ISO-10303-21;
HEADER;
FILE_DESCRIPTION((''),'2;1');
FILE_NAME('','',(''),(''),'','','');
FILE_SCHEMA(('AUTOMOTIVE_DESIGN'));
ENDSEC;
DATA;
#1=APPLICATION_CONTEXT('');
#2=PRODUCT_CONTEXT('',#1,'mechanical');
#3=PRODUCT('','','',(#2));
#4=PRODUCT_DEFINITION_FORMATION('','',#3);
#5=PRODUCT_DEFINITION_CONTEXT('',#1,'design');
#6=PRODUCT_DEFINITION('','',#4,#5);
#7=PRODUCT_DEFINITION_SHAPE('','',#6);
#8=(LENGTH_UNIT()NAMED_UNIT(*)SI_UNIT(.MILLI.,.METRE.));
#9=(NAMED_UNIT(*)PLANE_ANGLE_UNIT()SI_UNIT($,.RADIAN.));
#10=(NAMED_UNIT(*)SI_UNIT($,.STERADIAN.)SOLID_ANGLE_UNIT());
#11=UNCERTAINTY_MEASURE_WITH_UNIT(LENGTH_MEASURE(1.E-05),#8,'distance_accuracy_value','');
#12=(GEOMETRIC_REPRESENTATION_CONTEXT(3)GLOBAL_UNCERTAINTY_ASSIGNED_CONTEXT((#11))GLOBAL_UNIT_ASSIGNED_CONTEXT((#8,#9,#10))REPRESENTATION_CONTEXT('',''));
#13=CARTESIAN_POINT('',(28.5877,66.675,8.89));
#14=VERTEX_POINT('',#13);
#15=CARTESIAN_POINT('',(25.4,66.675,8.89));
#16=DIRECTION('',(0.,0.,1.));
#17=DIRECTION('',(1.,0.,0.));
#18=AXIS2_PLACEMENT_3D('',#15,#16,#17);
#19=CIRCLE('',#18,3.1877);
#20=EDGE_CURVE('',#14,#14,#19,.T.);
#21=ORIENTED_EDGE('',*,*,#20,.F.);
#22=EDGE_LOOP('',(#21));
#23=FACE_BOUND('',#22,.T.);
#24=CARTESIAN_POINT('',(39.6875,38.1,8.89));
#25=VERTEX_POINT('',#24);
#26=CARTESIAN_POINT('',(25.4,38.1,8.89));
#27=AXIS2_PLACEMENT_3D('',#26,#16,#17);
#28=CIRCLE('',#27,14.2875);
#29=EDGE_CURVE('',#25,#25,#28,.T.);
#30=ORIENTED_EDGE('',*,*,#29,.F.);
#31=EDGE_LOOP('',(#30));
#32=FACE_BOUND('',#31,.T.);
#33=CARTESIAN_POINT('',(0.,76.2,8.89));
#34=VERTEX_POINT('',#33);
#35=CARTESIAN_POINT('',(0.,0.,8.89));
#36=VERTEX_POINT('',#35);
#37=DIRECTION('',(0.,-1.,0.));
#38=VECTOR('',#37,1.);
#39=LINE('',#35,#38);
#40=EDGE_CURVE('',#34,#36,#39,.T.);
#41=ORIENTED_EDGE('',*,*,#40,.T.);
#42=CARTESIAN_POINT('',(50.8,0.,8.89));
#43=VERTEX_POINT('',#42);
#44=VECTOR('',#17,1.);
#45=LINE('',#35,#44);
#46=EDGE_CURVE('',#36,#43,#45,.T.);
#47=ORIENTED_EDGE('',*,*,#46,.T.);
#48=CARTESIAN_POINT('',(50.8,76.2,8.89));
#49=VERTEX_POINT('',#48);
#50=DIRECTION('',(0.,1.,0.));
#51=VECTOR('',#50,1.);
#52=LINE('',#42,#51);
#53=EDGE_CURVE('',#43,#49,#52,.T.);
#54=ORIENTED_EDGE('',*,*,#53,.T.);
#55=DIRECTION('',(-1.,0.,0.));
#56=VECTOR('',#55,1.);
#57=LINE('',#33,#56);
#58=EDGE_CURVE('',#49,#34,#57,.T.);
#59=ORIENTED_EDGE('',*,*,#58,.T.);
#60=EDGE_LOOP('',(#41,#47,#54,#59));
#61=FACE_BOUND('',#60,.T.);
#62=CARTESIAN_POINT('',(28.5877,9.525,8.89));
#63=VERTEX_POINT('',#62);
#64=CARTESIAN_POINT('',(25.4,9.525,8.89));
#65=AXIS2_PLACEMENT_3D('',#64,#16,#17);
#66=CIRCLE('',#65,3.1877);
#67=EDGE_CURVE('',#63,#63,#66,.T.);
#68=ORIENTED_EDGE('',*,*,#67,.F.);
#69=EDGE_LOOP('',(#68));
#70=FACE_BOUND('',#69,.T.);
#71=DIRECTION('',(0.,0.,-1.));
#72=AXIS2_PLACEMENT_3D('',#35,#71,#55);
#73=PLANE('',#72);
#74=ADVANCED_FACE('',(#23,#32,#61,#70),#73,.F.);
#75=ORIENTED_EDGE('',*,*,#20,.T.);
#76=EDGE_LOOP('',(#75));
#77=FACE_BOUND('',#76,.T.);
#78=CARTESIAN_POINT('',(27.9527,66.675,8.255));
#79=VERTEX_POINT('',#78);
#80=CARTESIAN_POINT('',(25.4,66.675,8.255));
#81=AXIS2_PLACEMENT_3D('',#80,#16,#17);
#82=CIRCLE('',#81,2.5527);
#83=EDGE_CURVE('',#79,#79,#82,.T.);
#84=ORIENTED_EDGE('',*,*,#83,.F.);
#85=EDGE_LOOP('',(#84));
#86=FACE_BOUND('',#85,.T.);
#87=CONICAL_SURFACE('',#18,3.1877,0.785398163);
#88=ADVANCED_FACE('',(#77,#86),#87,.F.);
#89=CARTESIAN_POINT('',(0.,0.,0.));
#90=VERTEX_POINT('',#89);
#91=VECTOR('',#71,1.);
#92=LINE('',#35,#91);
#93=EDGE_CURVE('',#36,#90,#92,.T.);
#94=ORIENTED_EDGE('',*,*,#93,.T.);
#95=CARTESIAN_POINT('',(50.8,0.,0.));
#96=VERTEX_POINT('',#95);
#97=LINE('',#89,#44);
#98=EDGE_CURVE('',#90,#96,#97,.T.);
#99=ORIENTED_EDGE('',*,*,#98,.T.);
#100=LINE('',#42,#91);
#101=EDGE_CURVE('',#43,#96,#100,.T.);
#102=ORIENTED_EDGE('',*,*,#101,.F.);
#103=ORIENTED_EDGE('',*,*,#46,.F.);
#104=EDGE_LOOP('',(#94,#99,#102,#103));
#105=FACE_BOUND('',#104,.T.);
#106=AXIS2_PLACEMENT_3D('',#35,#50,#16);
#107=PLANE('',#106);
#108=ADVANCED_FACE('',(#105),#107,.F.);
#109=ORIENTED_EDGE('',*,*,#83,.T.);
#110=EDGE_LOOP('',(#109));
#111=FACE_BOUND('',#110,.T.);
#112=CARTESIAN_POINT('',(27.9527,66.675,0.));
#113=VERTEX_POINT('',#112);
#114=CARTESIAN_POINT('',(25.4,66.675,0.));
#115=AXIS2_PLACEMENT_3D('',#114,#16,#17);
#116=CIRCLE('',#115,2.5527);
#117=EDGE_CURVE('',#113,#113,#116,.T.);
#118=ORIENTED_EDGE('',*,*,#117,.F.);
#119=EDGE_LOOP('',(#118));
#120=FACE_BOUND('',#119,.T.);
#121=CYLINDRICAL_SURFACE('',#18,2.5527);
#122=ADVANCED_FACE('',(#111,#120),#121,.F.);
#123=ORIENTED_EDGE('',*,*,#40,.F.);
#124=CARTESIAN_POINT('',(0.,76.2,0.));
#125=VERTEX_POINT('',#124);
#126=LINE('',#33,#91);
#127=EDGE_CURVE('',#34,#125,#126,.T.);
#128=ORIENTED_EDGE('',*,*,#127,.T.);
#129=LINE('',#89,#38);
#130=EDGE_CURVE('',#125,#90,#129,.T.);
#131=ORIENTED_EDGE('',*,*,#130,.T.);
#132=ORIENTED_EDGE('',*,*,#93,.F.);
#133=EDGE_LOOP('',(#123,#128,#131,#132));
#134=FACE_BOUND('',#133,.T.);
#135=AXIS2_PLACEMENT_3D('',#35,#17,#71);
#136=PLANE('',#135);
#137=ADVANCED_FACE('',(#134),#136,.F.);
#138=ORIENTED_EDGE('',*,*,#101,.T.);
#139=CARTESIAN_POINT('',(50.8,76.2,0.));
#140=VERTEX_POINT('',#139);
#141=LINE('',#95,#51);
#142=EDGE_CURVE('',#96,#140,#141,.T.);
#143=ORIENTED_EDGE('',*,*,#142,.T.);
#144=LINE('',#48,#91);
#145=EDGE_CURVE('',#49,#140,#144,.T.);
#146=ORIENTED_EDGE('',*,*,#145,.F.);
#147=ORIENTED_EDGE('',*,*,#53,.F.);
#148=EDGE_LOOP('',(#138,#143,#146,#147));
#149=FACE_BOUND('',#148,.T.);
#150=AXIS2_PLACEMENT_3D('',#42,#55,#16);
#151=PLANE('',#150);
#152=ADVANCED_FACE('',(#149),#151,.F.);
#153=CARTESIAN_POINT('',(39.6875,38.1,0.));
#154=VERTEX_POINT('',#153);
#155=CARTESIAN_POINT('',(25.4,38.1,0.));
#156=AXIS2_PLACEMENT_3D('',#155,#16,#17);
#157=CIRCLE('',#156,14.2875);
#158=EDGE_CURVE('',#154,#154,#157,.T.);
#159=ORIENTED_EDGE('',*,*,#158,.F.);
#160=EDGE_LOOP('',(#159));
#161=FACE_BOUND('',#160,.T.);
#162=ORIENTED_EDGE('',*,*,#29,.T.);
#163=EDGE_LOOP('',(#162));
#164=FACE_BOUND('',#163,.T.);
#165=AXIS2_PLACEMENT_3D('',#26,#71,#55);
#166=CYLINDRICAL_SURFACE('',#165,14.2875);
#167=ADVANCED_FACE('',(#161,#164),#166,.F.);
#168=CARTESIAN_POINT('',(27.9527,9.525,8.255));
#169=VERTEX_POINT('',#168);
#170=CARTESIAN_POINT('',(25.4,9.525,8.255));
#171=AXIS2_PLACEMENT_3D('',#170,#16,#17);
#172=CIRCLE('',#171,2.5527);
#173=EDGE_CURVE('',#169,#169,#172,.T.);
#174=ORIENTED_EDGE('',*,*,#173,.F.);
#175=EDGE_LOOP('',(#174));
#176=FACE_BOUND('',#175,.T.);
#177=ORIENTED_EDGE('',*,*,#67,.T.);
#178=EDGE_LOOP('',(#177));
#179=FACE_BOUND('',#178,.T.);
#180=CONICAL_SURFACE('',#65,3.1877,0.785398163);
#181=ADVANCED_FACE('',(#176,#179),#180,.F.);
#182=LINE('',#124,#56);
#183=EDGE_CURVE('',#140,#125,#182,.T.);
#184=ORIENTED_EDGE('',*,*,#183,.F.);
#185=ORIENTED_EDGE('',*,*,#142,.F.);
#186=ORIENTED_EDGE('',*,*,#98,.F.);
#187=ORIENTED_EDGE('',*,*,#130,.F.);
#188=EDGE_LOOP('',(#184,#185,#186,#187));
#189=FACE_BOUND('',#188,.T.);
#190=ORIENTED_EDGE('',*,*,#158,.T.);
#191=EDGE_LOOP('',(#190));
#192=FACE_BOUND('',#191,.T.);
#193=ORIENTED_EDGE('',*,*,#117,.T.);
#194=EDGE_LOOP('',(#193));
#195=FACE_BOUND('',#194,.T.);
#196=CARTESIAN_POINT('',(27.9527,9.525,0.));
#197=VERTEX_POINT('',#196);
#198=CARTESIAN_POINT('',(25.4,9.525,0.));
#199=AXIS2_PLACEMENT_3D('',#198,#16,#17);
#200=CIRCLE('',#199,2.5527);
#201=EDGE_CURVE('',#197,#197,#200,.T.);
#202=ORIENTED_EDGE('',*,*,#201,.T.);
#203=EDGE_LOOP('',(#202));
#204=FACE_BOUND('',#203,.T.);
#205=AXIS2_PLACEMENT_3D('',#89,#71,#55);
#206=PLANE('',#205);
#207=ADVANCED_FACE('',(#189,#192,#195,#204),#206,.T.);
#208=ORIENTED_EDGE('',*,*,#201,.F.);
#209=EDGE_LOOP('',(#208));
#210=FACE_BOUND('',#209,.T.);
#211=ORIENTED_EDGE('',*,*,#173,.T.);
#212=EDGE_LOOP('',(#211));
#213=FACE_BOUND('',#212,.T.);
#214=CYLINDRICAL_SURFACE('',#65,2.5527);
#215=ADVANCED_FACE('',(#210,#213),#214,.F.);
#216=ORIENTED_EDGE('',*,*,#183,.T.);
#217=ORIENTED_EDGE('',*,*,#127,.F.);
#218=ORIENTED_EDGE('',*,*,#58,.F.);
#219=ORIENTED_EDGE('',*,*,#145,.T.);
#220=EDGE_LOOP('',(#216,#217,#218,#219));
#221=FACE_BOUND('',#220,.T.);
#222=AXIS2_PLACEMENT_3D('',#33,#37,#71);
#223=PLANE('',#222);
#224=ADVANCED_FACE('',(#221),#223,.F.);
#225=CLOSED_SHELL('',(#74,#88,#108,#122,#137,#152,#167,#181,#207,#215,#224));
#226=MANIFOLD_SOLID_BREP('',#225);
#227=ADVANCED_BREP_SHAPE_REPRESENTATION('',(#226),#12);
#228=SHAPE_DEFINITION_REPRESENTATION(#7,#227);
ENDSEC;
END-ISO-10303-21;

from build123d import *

# Parameters (mm, degrees)
SKETCH1_W                        = 50.8
SKETCH1_H                        = 76.2
SKETCH1_R                        = 14.2875
BOSS_EXTRUDE1_DEPTH              = 8.89
F_10_CLEARANCE_HOLE1_D           = 5.1054
F_10_CLEARANCE_HOLE1_CSINK_D     = 6.3754
F_10_CLEARANCE_HOLE1_CSINK_ANGLE = 90


with BuildPart() as part:
    # Sketch1 → Boss-Extrude1 (new body)
    with BuildSketch(Plane.XY):
        with Locations((25.4, 38.1)):
            Rectangle(SKETCH1_W, SKETCH1_H)
        with Locations((25.4, 38.1)):
            Circle(SKETCH1_R, mode=Mode.SUBTRACT)
    extrude(amount=BOSS_EXTRUDE1_DEPTH)

    # #10 Clearance Hole1 (through all)
    with Locations(Plane.XY.offset(8.89)):
        with Locations((25.4, 66.675), (25.4, 9.525)):
            CounterSinkHole(F_10_CLEARANCE_HOLE1_D / 2, F_10_CLEARANCE_HOLE1_CSINK_D / 2, counter_sink_angle=F_10_CLEARANCE_HOLE1_CSINK_ANGLE)


solid = part.part
